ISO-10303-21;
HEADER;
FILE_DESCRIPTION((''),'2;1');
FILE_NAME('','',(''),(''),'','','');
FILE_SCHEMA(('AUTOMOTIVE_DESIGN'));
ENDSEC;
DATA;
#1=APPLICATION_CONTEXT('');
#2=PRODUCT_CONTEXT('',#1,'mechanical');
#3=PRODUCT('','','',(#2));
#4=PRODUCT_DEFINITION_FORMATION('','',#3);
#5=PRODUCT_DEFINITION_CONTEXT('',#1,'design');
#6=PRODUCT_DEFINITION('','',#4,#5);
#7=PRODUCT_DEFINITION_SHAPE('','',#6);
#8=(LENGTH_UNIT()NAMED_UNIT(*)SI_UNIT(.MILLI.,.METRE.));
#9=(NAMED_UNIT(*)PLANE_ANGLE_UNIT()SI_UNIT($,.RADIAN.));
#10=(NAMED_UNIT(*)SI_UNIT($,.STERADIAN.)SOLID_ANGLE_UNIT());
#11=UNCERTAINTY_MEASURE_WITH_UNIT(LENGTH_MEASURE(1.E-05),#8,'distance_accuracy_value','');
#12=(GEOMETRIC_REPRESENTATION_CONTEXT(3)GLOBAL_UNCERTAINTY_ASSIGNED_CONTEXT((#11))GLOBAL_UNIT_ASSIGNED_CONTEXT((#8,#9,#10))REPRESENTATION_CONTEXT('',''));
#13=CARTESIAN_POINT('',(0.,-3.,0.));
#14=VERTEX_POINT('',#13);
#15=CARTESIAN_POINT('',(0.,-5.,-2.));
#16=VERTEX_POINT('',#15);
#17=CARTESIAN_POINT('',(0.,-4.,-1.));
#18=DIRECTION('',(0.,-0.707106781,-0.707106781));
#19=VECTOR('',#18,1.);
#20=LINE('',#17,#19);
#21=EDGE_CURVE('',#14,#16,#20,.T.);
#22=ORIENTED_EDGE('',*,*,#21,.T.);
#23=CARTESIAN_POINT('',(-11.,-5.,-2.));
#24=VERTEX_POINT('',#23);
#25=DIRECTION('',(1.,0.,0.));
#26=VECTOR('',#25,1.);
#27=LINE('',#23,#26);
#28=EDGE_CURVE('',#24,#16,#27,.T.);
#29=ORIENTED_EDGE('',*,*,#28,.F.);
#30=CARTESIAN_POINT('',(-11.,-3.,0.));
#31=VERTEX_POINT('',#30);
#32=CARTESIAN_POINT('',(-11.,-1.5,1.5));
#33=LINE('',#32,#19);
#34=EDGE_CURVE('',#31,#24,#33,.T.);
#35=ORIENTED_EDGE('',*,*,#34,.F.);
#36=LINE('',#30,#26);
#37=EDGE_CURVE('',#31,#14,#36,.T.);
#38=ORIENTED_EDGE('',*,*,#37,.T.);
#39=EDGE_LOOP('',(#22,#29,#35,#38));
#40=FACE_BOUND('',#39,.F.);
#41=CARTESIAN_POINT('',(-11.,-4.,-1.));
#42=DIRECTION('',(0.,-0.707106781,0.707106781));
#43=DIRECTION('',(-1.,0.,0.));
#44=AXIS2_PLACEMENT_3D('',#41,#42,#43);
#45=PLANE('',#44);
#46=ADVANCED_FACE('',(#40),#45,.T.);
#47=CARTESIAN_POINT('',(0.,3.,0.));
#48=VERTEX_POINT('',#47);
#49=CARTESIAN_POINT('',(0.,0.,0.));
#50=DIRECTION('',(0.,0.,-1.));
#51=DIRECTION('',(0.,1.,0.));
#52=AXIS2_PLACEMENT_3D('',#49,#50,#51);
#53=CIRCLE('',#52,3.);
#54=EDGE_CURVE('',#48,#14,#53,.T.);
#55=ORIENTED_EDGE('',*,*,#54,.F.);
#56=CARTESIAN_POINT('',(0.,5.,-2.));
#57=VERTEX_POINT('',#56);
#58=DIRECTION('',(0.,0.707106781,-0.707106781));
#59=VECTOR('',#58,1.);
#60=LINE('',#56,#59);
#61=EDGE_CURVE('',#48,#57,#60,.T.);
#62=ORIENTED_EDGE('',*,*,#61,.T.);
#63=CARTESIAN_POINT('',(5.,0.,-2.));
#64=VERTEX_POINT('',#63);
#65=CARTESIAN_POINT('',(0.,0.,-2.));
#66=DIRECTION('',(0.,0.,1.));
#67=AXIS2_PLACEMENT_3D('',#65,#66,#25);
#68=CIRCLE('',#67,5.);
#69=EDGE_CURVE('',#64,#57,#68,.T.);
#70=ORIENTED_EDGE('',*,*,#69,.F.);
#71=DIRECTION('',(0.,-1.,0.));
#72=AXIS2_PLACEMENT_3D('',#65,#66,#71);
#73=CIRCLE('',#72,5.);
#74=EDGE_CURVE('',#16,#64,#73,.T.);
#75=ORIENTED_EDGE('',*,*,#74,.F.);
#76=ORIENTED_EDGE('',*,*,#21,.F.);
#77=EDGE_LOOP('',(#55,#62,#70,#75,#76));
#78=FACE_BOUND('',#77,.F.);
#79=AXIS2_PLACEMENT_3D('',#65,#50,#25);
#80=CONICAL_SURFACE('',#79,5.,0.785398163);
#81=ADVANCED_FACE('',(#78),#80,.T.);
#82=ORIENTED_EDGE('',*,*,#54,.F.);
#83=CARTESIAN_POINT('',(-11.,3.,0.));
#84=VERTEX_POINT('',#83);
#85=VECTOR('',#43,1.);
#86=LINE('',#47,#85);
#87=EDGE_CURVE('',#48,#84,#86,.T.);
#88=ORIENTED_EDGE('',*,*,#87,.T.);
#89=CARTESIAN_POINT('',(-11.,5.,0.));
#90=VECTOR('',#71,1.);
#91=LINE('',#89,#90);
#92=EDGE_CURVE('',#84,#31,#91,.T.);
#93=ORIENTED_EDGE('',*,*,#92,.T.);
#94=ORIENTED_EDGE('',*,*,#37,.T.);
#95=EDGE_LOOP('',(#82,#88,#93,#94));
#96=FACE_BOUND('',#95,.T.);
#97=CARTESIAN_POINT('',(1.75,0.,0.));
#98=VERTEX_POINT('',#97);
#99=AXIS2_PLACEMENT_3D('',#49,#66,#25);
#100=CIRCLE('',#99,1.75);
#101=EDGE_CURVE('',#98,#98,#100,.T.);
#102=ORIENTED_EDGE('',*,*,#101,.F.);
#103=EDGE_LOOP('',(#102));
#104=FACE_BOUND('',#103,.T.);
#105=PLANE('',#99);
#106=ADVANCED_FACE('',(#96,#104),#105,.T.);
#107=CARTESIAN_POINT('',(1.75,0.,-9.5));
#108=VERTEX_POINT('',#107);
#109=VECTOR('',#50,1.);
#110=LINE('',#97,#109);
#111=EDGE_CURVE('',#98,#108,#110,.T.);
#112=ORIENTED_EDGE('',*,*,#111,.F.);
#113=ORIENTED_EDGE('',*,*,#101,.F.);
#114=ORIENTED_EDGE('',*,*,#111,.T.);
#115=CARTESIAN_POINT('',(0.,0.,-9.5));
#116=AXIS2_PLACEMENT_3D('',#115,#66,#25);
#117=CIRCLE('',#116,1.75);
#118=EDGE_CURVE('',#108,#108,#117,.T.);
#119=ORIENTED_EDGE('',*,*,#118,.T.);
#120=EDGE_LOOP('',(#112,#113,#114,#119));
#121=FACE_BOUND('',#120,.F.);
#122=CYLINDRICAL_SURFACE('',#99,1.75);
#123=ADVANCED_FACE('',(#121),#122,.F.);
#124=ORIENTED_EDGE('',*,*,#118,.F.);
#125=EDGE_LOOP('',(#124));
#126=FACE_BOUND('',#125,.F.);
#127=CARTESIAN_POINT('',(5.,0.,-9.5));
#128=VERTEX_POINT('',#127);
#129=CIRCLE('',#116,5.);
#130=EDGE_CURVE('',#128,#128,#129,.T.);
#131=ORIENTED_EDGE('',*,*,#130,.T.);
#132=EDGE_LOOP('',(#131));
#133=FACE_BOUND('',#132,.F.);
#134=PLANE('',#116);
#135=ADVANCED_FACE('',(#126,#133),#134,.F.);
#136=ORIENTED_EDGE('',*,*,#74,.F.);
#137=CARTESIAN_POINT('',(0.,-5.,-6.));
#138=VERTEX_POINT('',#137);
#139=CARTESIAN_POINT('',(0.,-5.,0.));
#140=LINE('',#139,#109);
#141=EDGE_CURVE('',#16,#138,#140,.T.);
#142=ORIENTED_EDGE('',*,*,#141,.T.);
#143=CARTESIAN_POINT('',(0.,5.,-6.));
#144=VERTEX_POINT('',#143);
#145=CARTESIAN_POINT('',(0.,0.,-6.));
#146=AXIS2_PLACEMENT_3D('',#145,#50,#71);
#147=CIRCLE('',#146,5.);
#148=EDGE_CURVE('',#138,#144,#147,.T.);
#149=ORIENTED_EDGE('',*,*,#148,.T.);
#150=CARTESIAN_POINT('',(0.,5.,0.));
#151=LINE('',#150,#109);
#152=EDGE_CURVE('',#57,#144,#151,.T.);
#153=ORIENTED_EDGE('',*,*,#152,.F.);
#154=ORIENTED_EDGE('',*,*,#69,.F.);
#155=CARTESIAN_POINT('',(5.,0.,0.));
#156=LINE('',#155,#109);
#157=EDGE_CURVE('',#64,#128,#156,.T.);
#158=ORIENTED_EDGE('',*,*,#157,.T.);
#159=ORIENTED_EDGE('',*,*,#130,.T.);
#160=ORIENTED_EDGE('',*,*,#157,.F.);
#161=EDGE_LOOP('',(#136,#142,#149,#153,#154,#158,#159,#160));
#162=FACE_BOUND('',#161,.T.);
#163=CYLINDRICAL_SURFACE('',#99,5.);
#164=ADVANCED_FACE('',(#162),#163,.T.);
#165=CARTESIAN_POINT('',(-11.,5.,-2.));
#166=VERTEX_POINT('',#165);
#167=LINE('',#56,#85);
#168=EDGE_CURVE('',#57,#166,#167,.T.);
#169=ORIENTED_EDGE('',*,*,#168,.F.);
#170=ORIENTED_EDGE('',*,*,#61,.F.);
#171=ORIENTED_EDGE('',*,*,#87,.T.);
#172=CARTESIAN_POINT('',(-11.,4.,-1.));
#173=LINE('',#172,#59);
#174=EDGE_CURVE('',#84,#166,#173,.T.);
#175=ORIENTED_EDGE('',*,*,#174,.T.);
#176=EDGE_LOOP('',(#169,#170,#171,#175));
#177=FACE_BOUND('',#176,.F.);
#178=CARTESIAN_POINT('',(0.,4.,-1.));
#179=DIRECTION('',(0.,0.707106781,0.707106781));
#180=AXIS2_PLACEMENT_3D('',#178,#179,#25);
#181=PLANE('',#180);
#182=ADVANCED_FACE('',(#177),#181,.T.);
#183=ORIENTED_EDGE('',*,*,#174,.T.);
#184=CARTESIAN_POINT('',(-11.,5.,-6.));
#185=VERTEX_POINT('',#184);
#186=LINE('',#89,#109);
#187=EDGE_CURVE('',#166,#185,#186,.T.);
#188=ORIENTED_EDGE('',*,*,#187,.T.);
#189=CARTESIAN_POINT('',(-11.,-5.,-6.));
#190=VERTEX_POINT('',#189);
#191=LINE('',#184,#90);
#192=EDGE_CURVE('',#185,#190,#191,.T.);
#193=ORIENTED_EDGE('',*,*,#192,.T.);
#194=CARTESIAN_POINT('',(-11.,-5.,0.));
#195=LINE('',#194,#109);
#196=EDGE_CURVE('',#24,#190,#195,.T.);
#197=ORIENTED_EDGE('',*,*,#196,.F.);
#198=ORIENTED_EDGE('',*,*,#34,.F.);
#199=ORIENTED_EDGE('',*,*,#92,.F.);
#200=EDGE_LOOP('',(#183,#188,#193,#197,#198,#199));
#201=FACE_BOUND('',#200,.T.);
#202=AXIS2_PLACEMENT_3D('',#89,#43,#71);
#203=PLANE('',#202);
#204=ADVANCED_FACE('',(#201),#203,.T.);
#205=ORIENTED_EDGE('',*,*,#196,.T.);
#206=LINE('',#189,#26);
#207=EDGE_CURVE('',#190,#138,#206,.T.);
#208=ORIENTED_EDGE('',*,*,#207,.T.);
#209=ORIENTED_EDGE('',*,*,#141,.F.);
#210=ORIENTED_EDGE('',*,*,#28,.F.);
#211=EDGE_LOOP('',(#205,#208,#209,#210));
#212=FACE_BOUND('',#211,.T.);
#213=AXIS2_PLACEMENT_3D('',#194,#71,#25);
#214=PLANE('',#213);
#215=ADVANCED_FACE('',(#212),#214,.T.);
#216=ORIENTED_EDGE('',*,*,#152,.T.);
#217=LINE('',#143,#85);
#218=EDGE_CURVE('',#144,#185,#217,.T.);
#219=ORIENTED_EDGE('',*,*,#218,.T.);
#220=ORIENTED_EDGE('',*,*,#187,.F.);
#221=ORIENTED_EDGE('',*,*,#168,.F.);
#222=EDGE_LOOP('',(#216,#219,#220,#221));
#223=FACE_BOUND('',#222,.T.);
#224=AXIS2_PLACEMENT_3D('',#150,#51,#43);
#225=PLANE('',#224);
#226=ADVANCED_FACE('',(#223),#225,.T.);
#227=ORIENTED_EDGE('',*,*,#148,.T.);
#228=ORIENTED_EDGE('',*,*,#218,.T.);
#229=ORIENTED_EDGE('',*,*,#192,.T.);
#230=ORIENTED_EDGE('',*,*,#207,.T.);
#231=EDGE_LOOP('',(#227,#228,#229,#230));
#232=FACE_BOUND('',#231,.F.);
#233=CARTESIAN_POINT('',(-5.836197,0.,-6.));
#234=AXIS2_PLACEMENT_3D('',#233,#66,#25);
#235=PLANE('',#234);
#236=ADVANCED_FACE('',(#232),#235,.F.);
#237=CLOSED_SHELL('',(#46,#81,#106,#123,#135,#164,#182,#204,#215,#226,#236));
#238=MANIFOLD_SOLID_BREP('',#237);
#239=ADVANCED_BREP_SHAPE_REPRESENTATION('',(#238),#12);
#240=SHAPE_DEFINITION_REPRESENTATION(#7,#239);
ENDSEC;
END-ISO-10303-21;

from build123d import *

# Parameters (mm, degrees)
F1_DEPTH = 6
F2_R     = 5
F2_R_2   = 1.75
F3_DEPTH = 9.5
F4_SIZE  = 2


with BuildPart() as f1:
    # F0 (on Top) → F1 (new body)
    with BuildSketch(Plane.XY):
        with BuildLine():
            ThreePointArc((0, -5), (-5, 0), (0, 5))
            Line((0, 5), (-11, 5))
            Line((-11, 5), (-11, -5))
            Line((-11, -5), (0, -5))
        make_face()
    extrude(amount=-F1_DEPTH)

    # F2 (on Top) → F3 (join)
    with BuildSketch(Plane.XY):
        Circle(F2_R)
        Circle(F2_R_2, mode=Mode.SUBTRACT)
    extrude(amount=-F3_DEPTH)

    # F4
    f4_edges = [f1.edges().sort_by_distance(p)[0] for p in [
        (-5.5, 5, 0),
    ]]
    chamfer(f4_edges, length=F4_SIZE)


solid = f1.part
